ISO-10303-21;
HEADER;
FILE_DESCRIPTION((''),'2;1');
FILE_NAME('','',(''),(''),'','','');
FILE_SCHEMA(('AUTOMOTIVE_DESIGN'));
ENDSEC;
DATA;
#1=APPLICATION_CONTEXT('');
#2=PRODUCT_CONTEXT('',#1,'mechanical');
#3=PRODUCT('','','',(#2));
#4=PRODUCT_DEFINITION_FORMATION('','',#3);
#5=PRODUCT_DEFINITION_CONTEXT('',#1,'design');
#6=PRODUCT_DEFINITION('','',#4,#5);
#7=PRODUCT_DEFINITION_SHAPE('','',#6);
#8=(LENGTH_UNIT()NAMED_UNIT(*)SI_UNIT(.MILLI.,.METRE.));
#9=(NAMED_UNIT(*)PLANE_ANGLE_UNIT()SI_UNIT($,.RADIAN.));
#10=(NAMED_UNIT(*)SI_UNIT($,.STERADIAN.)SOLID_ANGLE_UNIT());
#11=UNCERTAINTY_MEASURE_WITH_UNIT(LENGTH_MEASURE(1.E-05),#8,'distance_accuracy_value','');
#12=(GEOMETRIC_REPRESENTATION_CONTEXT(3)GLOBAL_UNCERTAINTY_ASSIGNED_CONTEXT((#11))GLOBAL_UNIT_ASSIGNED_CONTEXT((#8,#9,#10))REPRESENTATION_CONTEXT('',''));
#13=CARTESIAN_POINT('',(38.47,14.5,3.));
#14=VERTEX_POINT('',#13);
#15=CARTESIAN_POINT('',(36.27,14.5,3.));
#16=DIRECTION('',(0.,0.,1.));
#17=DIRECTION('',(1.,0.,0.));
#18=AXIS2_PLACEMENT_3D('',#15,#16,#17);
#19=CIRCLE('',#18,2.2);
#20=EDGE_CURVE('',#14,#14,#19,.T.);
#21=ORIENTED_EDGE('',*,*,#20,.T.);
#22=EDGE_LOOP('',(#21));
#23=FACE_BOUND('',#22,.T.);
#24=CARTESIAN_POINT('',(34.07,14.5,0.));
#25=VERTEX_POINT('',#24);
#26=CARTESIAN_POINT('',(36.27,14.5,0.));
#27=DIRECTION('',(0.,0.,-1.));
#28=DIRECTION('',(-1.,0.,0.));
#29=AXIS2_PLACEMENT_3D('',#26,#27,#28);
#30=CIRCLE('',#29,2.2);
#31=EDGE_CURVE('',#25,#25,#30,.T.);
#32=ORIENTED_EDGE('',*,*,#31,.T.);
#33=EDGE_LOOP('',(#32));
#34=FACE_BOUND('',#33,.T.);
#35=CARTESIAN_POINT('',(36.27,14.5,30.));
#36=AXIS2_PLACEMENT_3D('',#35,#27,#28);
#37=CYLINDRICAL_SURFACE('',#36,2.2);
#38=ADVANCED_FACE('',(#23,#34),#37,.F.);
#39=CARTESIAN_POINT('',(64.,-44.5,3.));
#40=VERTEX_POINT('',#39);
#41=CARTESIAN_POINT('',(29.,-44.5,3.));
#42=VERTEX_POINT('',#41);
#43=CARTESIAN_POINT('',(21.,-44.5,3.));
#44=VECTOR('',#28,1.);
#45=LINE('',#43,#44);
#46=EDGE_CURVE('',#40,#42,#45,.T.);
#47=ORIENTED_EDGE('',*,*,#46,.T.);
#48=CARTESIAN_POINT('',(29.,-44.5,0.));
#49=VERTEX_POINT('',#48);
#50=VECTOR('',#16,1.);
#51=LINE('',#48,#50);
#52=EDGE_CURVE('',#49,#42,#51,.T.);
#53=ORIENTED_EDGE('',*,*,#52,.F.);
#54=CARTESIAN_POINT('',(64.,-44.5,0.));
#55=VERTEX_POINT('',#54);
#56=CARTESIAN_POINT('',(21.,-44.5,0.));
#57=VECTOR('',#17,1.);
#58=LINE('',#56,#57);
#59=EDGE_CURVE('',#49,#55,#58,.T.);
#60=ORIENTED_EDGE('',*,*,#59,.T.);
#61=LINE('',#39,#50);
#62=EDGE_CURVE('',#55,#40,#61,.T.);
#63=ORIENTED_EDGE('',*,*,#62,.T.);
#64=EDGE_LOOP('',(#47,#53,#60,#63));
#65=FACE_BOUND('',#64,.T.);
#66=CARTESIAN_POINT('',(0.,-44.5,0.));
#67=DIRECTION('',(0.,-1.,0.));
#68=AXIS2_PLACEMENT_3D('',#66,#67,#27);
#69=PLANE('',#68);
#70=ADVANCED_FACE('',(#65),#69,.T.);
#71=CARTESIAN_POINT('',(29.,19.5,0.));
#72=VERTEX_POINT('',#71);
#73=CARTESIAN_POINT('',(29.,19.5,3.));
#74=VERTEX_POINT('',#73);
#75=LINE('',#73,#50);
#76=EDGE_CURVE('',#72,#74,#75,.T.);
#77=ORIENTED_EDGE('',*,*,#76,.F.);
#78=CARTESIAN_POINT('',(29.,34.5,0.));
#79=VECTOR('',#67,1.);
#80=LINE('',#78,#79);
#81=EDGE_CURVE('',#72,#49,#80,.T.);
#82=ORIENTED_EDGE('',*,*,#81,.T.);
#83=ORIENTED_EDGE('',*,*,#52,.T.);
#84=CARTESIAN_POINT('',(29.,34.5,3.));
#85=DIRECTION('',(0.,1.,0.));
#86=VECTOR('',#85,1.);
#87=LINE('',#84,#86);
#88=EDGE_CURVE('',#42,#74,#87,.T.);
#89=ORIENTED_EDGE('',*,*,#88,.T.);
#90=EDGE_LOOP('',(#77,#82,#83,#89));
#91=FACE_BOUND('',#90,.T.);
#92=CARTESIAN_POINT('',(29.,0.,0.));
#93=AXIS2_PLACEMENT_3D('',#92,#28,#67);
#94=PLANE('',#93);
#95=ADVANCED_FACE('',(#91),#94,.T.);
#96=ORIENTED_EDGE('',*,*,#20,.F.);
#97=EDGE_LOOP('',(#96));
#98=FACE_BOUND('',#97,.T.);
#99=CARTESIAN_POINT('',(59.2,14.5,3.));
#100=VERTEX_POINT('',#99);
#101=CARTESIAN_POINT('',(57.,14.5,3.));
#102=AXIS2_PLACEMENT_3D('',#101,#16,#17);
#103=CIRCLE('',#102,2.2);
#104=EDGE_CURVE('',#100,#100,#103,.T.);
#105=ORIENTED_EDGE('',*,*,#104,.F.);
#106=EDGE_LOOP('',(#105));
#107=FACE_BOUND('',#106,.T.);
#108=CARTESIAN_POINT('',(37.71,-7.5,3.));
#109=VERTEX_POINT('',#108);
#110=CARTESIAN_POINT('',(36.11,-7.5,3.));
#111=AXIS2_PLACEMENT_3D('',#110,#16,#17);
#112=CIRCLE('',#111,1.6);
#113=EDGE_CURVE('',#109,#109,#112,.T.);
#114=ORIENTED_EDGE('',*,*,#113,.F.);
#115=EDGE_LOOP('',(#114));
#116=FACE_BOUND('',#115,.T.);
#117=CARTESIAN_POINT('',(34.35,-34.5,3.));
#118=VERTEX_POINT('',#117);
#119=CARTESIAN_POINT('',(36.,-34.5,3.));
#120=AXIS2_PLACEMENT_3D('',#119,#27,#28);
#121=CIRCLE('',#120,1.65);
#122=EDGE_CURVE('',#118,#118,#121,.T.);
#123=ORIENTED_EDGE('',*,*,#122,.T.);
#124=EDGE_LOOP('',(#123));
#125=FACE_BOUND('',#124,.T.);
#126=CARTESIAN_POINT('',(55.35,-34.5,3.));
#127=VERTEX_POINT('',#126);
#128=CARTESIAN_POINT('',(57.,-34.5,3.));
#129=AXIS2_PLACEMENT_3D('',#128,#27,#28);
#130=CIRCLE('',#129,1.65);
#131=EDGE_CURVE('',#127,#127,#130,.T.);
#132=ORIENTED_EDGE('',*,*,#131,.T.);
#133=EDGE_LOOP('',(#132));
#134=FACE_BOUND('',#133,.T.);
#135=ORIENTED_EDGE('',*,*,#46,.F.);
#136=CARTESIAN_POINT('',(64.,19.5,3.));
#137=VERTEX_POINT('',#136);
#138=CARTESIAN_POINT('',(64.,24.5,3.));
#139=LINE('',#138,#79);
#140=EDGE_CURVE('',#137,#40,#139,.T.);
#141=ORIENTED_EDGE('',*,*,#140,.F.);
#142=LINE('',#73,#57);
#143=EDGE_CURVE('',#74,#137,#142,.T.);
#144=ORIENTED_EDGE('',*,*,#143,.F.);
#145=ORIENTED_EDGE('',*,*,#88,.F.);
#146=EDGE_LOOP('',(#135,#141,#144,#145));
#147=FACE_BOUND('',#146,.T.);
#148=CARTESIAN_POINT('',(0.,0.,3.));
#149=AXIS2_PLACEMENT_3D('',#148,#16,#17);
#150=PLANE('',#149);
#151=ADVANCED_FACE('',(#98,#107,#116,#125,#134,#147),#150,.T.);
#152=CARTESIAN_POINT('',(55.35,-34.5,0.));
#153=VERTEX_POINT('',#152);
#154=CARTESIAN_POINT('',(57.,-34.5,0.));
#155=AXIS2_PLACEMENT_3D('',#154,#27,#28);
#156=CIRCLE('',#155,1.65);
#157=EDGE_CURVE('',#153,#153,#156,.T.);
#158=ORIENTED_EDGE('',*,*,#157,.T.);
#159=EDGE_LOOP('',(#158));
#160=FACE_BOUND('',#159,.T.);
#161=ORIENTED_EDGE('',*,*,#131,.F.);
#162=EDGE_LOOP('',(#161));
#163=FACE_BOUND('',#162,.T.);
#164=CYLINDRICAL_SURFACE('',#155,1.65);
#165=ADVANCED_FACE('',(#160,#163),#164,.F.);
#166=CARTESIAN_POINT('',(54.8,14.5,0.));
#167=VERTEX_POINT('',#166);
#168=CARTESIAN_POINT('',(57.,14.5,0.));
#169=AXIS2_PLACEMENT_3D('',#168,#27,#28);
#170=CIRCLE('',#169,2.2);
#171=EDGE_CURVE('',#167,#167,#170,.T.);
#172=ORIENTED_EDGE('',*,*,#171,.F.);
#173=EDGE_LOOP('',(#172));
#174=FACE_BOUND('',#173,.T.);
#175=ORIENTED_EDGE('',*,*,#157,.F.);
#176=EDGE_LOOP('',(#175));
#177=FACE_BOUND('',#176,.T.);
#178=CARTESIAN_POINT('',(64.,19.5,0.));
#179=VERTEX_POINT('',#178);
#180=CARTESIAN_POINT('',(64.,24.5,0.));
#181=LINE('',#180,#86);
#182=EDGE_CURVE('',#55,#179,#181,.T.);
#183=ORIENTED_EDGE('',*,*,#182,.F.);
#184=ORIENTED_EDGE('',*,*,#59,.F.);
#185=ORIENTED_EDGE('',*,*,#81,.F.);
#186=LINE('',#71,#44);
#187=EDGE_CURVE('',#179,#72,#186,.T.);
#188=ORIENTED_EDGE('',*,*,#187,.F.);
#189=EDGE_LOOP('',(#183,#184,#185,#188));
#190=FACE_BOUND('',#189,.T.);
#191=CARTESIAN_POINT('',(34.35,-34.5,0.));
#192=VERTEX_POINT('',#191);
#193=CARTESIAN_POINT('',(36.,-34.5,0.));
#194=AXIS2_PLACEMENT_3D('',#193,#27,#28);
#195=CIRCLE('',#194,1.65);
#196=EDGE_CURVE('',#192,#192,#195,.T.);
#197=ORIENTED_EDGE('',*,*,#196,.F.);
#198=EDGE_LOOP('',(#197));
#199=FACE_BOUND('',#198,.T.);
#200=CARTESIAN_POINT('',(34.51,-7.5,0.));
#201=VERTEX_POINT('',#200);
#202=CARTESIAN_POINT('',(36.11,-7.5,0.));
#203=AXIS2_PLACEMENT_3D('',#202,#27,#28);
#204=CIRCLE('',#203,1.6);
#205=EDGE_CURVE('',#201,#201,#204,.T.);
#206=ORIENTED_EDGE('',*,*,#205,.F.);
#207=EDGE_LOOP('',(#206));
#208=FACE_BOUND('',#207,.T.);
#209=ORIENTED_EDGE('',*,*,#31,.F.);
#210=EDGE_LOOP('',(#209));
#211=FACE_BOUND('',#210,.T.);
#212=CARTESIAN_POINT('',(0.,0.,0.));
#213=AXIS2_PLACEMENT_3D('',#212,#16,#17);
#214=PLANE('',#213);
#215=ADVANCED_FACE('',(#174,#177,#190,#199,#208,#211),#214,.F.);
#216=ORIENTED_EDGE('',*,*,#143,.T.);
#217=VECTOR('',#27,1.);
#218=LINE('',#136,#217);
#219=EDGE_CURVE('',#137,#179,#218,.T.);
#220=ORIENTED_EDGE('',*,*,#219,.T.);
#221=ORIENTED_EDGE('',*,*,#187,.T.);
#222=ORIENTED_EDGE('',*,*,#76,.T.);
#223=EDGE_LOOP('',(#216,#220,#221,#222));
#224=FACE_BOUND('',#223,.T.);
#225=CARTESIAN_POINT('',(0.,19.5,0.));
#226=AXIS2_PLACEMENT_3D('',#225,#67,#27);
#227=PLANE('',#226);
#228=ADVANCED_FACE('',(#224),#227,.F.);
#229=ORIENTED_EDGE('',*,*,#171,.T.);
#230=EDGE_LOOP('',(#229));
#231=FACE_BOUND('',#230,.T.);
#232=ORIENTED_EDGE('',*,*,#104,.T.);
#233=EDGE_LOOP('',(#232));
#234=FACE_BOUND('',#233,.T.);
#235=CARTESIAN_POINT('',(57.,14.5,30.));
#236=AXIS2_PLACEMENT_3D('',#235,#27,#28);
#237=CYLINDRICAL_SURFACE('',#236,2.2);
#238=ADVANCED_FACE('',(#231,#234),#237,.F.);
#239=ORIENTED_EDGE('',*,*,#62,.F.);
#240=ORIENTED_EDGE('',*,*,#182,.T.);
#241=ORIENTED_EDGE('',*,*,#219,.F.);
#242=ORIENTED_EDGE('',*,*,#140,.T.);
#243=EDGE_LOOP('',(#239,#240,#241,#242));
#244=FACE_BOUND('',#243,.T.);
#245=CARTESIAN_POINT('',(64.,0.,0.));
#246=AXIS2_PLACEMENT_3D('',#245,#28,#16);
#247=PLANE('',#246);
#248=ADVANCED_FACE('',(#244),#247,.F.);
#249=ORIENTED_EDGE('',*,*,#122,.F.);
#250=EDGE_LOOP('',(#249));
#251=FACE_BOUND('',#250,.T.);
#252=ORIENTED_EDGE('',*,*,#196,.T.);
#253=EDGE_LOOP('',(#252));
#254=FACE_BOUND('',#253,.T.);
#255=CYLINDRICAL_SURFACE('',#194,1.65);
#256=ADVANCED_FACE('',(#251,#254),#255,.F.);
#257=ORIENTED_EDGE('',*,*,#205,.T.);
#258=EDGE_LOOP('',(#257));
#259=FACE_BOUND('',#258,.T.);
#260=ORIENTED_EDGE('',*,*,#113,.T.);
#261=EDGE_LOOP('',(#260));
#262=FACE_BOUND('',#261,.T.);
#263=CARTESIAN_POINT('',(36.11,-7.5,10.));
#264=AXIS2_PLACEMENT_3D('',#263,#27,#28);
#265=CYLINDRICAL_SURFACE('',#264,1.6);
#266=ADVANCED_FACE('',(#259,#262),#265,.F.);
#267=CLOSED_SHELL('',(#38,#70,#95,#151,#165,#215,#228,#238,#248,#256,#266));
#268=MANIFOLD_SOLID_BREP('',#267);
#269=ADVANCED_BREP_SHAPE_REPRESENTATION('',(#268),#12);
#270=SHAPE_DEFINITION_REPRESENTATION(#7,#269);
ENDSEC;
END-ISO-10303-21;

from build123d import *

# Parameters (mm, degrees)
SKETCH_1_W           = 40
SKETCH_1_H           = 29
EXTRUDE_1_DEPTH      = 3
CUT_EXTRUDE_1_DEPTH  = 3
SKETCH_3_W           = 40
SKETCH_3_H           = 3
EXTRUDE_2_DEPTH      = 10
SKETCH_4_W           = 40
SKETCH_4_H           = 3
EXTRUDE_3_DEPTH      = 10
SKETCH_6_W           = 3
SKETCH_6_H           = 49
EXTRUDE_5_DEPTH      = 42
SKETCH_8_W           = 3
SKETCH_8_H           = 49
EXTRUDE_6_DEPTH      = 2
SKETCH_9_W           = 3
SKETCH_9_H           = 49
EXTRUDE_7_DEPTH      = 2
SKETCH_10_W          = 86
SKETCH_10_H          = 3
EXTRUDE_8_DEPTH      = 10
SKETCH_11_W          = 86
SKETCH_11_H          = 3
EXTRUDE_9_DEPTH      = 10
SKETCH_14_W          = 3
SKETCH_14_H          = 69
CUT_EXTRUDE_5_DEPTH  = 43
SKETCH_17_W          = 43
SKETCH_17_H          = 3
EXTRUDE_10_DEPTH     = 20
SKETCH_20_W          = 43
SKETCH_20_H          = 3
EXTRUDE_11_DEPTH     = 10
SKETCH_21_W          = 43
SKETCH_21_H          = 3
CUT_EXTRUDE_7_DEPTH  = 20
SKETCH_24_R          = 2.2
CUT_EXTRUDE_8_DEPTH  = 30
SKETCH_26_R          = 1.6
CUT_EXTRUDE_9_DEPTH  = 10
SKETCH_27_W          = 3
SKETCH_27_H          = 79
CUT_EXTRUDE_10_DEPTH = 8
SKETCH_28_W          = 35
SKETCH_28_H          = 3
CUT_EXTRUDE_11_DEPTH = 15
CUT_EXTRUDE_13_DEPTH = 10
M4X0_7_3_D           = 3.3


with BuildPart() as part:
    # ｽｹｯﾁ1 → ﾎﾞｽ - 押し出し1 (new body)
    with BuildSketch(Plane.XY):
        Rectangle(SKETCH_1_W, SKETCH_1_H)
    extrude(amount=EXTRUDE_1_DEPTH)

    # ｽｹｯﾁ2 → ｶｯﾄ - 押し出し1 (cut)
    with BuildSketch(Plane.XY.offset(3)):
        with BuildLine():
            ThreePointArc((-14.4, 10.5), (-15.01507576, 11.98492424), (-16.5, 12.6))
            Line((-16.5, 12.6), (-16.5, 10.5))
            Line((-16.5, 10.5), (-18.6, 10.5))
            ThreePointArc((-18.6, 10.5), (-16.5, 8.4), (-14.4, 10.5))
        make_face()
        with BuildLine():
            Line((-16.5, 10.5), (-16.5, 12.6))
            ThreePointArc((-16.5, 12.6), (-17.98492424, 11.98492424), (-18.6, 10.5))
            Line((-18.6, 10.5), (-16.5, 10.5))
        make_face()
        with BuildLine():
            ThreePointArc((-18.6, -10.5), (-17.98492424, -11.98492424), (-16.5, -12.6))
            Line((-16.5, -12.6), (-16.5, -10.5))
            Line((-16.5, -10.5), (-18.6, -10.5))
        make_face()
        with BuildLine():
            Line((-16.5, -10.5), (-16.5, -12.6))
            ThreePointArc((-16.5, -12.6), (-15.01507576, -11.98492424), (-14.4, -10.5))
            ThreePointArc((-14.4, -10.5), (-16.5, -8.4), (-18.6, -10.5))
            Line((-18.6, -10.5), (-16.5, -10.5))
        make_face()
        with BuildLine():
            ThreePointArc((18.6, -10.5), (15.01507576, -9.01507576), (16.5, -12.6))
            Line((16.5, -12.6), (16.5, -10.5))
            Line((16.5, -10.5), (18.6, -10.5))
        make_face()
        with BuildLine():
            Line((16.5, -10.5), (16.5, -12.6))
            ThreePointArc((16.5, -12.6), (17.98492424, -11.98492424), (18.6, -10.5))
            Line((18.6, -10.5), (16.5, -10.5))
        make_face()
        with BuildLine():
            ThreePointArc((18.6, 10.5), (17.98492424, 11.98492424), (16.5, 12.6))
            Line((16.5, 12.6), (16.5, 10.5))
            Line((16.5, 10.5), (18.6, 10.5))
        make_face()
        with BuildLine():
            Line((16.5, 10.5), (16.5, 12.6))
            ThreePointArc((16.5, 12.6), (15.01507576, 9.01507576), (18.6, 10.5))
            Line((18.6, 10.5), (16.5, 10.5))
        make_face()
    extrude(amount=-CUT_EXTRUDE_1_DEPTH, mode=Mode.SUBTRACT)

    # ｽｹｯﾁ3 → ﾎﾞｽ - 押し出し2 (add)
    with BuildSketch(Plane.XZ.offset(14.5)):
        with Locations((0, 1.5)):
            Rectangle(SKETCH_3_W, SKETCH_3_H)
    extrude(amount=EXTRUDE_2_DEPTH)

    # ｽｹｯﾁ4 → ﾎﾞｽ - 押し出し3 (add)
    with BuildSketch(Plane(origin=(0, 14.5, 0), x_dir=(1, 0, 0), z_dir=(0, 1, 0))):
        with Locations((0, -1.5)):
            Rectangle(SKETCH_4_W, SKETCH_4_H)
    extrude(amount=EXTRUDE_3_DEPTH)

    # ｽｹｯﾁ6 → ﾎﾞｽ - 押し出し5 (add)
    with BuildSketch(Plane(origin=(20, 0, 0), x_dir=(0, 0, -1), z_dir=(1, 0, 0))):
        with Locations((-1.5, 0)):
            Rectangle(SKETCH_6_W, SKETCH_6_H)
    extrude(amount=EXTRUDE_5_DEPTH)

    # ｽｹｯﾁ8 → ﾎﾞｽ - 押し出し6 (add)
    with BuildSketch(Plane.ZY.offset(20)):
        with Locations((1.5, 0)):
            Rectangle(SKETCH_8_W, SKETCH_8_H)
    extrude(amount=EXTRUDE_6_DEPTH)

    # ｽｹｯﾁ9 → ﾎﾞｽ - 押し出し7 (add)
    with BuildSketch(Plane(origin=(62, 0, 0), x_dir=(0, 0, -1), z_dir=(1, 0, 0))):
        with Locations((-1.5, 0)):
            Rectangle(SKETCH_9_W, SKETCH_9_H)
    extrude(amount=EXTRUDE_7_DEPTH)

    # ｽｹｯﾁ10 → ﾎﾞｽ - 押し出し8 (add)
    with BuildSketch(Plane.XZ.offset(24.5)):
        with Locations((21, 1.5)):
            Rectangle(SKETCH_10_W, SKETCH_10_H)
    extrude(amount=EXTRUDE_8_DEPTH)

    # ｽｹｯﾁ11 → ﾎﾞｽ - 押し出し9 (add)
    with BuildSketch(Plane(origin=(0, 24.5, 0), x_dir=(1, 0, 0), z_dir=(0, 1, 0))):
        with Locations((21, -1.5)):
            Rectangle(SKETCH_11_W, SKETCH_11_H)
    extrude(amount=EXTRUDE_9_DEPTH)

    # ｽｹｯﾁ14 → ｶｯﾄ - 押し出し5 (cut)
    with BuildSketch(Plane.ZY.offset(22)):
        with Locations((1.5, 0)):
            Rectangle(SKETCH_14_W, SKETCH_14_H)
    extrude(amount=-CUT_EXTRUDE_5_DEPTH, mode=Mode.SUBTRACT)

    # ｽｹｯﾁ17 → ﾎﾞｽ - 押し出し10 (add)
    with BuildSketch(Plane.XZ.offset(34.5)):
        with Locations((42.5, 1.5)):
            Rectangle(SKETCH_17_W, SKETCH_17_H)
    extrude(amount=EXTRUDE_10_DEPTH)

    # ｽｹｯﾁ20 → ﾎﾞｽ - 押し出し11 (add)
    with BuildSketch(Plane.XZ.offset(54.5)):
        with Locations((42.5, 1.5)):
            Rectangle(SKETCH_20_W, SKETCH_20_H)
    extrude(amount=EXTRUDE_11_DEPTH)

    # ｽｹｯﾁ21 → ｶｯﾄ - 押し出し7 (cut)
    with BuildSketch(Plane.XZ.offset(64.5)):
        with Locations((42.5, 1.5)):
            Rectangle(SKETCH_21_W, SKETCH_21_H)
    extrude(amount=-CUT_EXTRUDE_7_DEPTH, mode=Mode.SUBTRACT)

    # ｽｹｯﾁ24 → ｶｯﾄ - 押し出し8 (cut)
    with BuildSketch(Plane(origin=(0, 0, 0), x_dir=(-1, 0, 0), z_dir=(0, 0, -1))):
        with Locations((-36.27, 14.5)):
            Circle(SKETCH_24_R)
        with Locations((-57, 14.5)):
            Circle(SKETCH_24_R)
    extrude(amount=-CUT_EXTRUDE_8_DEPTH, mode=Mode.SUBTRACT)

    # ｽｹｯﾁ26 → ｶｯﾄ - 押し出し9 (cut)
    with BuildSketch(Plane(origin=(0, 0, 0), x_dir=(-1, 0, 0), z_dir=(0, 0, -1))):
        with Locations((-36.11, -7.5)):
            Circle(SKETCH_26_R)
    extrude(amount=-CUT_EXTRUDE_9_DEPTH, mode=Mode.SUBTRACT)

    # ｽｹｯﾁ27 → ｶｯﾄ - 押し出し10 (cut)
    with BuildSketch(Plane.ZY.offset(-21)):
        with Locations((1.5, -5)):
            Rectangle(SKETCH_27_W, SKETCH_27_H)
    extrude(amount=-CUT_EXTRUDE_10_DEPTH, mode=Mode.SUBTRACT)

    # ｽｹｯﾁ28 → ｶｯﾄ - 押し出し11 (cut)
    with BuildSketch(Plane(origin=(0, 34.5, 0), x_dir=(1, 0, 0), z_dir=(0, 1, 0))):
        with Locations((46.5, -1.5)):
            Rectangle(SKETCH_28_W, SKETCH_28_H)
    extrude(amount=-CUT_EXTRUDE_11_DEPTH, mode=Mode.SUBTRACT)

    # ｽｹｯﾁ33 → ｶｯﾄ - 押し出し13 (cut)
    with BuildSketch(Plane(origin=(0, 0, 0), x_dir=(-1, 0, 0), z_dir=(0, 0, -1))):
        with BuildLine():
            ThreePointArc((-35, -34.5), (-36.707106781, -33.792893219), (-36, -35.5))
            Line((-36, -35.5), (-36, -34.5))
            Line((-36, -34.5), (-35, -34.5))
        make_face()
        with BuildLine():
            Line((-36, -34.5), (-36, -35.5))
            ThreePointArc((-36, -35.5), (-35.292893219, -35.207106781), (-35, -34.5))
            Line((-35, -34.5), (-36, -34.5))
        make_face()
        with BuildLine():
            ThreePointArc((-58, -34.5), (-57.707106781, -35.207106781), (-57, -35.5))
            Line((-57, -35.5), (-57, -34.5))
            Line((-57, -34.5), (-58, -34.5))
        make_face()
        with BuildLine():
            Line((-57, -34.5), (-57, -35.5))
            ThreePointArc((-57, -35.5), (-56.292893219, -35.207106781), (-56, -34.5))
            ThreePointArc((-56, -34.5), (-57, -33.5), (-58, -34.5))
            Line((-58, -34.5), (-57, -34.5))
        make_face()
    extrude(amount=-CUT_EXTRUDE_13_DEPTH, mode=Mode.SUBTRACT)

    # M4x0.7 ねじ穴3 (through all)
    with Locations(Plane(origin=(36, -34.5, 0), x_dir=(-1, 0, 0), z_dir=(0, 0, -1))):
        with Locations((0, 0), (-21, 0)):
            Hole(M4X0_7_3_D / 2)


solid = part.part
